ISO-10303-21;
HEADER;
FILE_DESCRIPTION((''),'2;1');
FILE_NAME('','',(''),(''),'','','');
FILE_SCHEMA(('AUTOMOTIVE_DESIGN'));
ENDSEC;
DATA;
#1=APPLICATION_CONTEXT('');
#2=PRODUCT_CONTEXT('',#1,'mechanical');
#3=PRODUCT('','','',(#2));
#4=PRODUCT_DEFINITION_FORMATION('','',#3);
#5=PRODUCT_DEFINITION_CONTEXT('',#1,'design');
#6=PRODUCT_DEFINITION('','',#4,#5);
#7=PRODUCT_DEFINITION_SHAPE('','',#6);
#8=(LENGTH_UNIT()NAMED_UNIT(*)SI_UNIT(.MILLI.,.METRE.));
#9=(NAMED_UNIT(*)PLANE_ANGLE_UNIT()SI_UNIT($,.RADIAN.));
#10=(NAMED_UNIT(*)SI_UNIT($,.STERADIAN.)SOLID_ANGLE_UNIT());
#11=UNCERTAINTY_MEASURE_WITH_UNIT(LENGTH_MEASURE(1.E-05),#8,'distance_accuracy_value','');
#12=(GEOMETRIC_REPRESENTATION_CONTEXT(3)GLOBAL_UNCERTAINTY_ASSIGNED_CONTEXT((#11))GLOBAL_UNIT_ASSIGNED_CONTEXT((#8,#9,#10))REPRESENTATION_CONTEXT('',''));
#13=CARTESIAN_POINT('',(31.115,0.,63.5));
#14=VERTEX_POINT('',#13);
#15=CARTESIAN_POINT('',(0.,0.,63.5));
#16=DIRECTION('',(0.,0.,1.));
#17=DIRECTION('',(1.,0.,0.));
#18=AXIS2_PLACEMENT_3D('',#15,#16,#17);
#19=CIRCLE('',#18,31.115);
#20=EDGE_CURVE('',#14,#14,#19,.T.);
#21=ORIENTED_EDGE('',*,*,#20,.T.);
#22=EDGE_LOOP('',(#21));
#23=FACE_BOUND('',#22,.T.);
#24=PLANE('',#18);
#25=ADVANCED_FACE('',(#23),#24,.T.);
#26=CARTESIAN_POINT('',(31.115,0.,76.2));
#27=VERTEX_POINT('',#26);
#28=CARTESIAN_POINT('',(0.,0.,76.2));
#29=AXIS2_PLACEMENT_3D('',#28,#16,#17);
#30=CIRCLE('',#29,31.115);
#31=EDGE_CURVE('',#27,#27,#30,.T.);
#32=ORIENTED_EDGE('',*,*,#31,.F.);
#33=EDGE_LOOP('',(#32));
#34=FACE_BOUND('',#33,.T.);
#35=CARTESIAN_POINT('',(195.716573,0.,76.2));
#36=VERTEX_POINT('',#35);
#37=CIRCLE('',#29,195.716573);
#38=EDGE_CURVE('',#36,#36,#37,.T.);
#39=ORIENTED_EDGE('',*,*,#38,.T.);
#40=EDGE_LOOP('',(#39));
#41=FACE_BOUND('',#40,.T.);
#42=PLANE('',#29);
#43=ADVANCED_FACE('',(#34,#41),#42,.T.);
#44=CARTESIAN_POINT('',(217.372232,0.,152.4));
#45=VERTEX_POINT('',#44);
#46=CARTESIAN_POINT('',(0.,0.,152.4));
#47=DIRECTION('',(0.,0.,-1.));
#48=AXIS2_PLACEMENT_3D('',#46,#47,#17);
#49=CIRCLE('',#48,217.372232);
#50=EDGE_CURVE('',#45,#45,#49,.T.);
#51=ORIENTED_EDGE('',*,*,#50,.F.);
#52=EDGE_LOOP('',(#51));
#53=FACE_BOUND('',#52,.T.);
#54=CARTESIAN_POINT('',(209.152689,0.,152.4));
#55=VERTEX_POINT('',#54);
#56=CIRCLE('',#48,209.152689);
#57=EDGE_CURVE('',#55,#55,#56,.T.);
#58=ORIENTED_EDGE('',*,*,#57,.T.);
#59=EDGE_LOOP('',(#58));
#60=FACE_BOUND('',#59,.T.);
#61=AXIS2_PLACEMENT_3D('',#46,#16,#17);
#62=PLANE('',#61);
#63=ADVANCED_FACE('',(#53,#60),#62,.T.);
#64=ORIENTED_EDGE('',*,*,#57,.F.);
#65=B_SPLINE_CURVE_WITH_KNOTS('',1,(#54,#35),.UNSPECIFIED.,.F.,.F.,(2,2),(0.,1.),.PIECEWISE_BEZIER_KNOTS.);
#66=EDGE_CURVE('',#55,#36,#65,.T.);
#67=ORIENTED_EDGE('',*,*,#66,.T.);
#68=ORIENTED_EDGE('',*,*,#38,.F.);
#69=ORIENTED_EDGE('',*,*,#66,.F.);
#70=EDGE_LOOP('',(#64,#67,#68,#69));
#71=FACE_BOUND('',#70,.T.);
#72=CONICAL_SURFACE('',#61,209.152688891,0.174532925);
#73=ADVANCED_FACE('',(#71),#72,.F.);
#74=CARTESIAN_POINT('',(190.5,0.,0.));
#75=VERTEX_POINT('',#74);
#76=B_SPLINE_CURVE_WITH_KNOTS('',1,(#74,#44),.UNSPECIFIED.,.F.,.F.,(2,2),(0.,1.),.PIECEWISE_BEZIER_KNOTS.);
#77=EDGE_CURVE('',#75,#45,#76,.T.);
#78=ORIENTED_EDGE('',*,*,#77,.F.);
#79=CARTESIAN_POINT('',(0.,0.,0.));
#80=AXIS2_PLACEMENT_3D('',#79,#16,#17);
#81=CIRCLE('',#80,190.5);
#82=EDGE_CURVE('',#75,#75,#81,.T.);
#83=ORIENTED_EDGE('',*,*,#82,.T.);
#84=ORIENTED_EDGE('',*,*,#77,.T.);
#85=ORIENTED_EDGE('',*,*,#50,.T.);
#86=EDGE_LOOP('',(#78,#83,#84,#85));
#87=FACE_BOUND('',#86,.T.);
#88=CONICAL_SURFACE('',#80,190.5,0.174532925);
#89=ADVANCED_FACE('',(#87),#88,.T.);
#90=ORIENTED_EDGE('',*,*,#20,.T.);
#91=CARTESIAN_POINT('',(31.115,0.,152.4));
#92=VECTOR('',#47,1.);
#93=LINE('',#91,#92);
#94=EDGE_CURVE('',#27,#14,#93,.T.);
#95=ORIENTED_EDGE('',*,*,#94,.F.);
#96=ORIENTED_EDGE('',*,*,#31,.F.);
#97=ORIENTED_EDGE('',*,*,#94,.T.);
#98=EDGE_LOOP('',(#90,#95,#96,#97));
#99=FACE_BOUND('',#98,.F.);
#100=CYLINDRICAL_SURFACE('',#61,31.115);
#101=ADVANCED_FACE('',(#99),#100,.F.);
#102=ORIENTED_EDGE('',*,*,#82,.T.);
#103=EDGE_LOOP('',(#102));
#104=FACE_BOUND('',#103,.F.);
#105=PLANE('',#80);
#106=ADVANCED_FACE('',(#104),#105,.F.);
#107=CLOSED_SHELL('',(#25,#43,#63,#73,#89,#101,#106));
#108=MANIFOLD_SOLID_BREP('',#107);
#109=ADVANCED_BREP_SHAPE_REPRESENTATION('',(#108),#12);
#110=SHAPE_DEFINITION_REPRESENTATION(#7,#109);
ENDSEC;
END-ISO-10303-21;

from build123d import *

# Parameters (mm, degrees)
F0_R     = 190.5
F1_DEPTH = 152.4
F1_TAPER = -10
F2_R     = 31.115
F3_DEPTH = 88.9
F4_R     = 209.1526888915
F5_DEPTH = 76.2
F5_TAPER = 10


with BuildPart() as f1:
    # F0 (on Top) → F1 (new body)
    with BuildSketch(Plane.XY):
        Circle(F0_R)
    extrude(amount=F1_DEPTH, taper=F1_TAPER)

    # F2 (on face) → F3 (cut)
    with BuildSketch(Plane.XY.offset(152.4)):
        Circle(F2_R)
    extrude(amount=-F3_DEPTH, mode=Mode.SUBTRACT)

    # F4 (on face) → F5 (cut)
    with BuildSketch(Plane.XY.offset(152.4)):
        Circle(F4_R)
    extrude(amount=-F5_DEPTH, taper=F5_TAPER, mode=Mode.SUBTRACT)


solid = f1.part
